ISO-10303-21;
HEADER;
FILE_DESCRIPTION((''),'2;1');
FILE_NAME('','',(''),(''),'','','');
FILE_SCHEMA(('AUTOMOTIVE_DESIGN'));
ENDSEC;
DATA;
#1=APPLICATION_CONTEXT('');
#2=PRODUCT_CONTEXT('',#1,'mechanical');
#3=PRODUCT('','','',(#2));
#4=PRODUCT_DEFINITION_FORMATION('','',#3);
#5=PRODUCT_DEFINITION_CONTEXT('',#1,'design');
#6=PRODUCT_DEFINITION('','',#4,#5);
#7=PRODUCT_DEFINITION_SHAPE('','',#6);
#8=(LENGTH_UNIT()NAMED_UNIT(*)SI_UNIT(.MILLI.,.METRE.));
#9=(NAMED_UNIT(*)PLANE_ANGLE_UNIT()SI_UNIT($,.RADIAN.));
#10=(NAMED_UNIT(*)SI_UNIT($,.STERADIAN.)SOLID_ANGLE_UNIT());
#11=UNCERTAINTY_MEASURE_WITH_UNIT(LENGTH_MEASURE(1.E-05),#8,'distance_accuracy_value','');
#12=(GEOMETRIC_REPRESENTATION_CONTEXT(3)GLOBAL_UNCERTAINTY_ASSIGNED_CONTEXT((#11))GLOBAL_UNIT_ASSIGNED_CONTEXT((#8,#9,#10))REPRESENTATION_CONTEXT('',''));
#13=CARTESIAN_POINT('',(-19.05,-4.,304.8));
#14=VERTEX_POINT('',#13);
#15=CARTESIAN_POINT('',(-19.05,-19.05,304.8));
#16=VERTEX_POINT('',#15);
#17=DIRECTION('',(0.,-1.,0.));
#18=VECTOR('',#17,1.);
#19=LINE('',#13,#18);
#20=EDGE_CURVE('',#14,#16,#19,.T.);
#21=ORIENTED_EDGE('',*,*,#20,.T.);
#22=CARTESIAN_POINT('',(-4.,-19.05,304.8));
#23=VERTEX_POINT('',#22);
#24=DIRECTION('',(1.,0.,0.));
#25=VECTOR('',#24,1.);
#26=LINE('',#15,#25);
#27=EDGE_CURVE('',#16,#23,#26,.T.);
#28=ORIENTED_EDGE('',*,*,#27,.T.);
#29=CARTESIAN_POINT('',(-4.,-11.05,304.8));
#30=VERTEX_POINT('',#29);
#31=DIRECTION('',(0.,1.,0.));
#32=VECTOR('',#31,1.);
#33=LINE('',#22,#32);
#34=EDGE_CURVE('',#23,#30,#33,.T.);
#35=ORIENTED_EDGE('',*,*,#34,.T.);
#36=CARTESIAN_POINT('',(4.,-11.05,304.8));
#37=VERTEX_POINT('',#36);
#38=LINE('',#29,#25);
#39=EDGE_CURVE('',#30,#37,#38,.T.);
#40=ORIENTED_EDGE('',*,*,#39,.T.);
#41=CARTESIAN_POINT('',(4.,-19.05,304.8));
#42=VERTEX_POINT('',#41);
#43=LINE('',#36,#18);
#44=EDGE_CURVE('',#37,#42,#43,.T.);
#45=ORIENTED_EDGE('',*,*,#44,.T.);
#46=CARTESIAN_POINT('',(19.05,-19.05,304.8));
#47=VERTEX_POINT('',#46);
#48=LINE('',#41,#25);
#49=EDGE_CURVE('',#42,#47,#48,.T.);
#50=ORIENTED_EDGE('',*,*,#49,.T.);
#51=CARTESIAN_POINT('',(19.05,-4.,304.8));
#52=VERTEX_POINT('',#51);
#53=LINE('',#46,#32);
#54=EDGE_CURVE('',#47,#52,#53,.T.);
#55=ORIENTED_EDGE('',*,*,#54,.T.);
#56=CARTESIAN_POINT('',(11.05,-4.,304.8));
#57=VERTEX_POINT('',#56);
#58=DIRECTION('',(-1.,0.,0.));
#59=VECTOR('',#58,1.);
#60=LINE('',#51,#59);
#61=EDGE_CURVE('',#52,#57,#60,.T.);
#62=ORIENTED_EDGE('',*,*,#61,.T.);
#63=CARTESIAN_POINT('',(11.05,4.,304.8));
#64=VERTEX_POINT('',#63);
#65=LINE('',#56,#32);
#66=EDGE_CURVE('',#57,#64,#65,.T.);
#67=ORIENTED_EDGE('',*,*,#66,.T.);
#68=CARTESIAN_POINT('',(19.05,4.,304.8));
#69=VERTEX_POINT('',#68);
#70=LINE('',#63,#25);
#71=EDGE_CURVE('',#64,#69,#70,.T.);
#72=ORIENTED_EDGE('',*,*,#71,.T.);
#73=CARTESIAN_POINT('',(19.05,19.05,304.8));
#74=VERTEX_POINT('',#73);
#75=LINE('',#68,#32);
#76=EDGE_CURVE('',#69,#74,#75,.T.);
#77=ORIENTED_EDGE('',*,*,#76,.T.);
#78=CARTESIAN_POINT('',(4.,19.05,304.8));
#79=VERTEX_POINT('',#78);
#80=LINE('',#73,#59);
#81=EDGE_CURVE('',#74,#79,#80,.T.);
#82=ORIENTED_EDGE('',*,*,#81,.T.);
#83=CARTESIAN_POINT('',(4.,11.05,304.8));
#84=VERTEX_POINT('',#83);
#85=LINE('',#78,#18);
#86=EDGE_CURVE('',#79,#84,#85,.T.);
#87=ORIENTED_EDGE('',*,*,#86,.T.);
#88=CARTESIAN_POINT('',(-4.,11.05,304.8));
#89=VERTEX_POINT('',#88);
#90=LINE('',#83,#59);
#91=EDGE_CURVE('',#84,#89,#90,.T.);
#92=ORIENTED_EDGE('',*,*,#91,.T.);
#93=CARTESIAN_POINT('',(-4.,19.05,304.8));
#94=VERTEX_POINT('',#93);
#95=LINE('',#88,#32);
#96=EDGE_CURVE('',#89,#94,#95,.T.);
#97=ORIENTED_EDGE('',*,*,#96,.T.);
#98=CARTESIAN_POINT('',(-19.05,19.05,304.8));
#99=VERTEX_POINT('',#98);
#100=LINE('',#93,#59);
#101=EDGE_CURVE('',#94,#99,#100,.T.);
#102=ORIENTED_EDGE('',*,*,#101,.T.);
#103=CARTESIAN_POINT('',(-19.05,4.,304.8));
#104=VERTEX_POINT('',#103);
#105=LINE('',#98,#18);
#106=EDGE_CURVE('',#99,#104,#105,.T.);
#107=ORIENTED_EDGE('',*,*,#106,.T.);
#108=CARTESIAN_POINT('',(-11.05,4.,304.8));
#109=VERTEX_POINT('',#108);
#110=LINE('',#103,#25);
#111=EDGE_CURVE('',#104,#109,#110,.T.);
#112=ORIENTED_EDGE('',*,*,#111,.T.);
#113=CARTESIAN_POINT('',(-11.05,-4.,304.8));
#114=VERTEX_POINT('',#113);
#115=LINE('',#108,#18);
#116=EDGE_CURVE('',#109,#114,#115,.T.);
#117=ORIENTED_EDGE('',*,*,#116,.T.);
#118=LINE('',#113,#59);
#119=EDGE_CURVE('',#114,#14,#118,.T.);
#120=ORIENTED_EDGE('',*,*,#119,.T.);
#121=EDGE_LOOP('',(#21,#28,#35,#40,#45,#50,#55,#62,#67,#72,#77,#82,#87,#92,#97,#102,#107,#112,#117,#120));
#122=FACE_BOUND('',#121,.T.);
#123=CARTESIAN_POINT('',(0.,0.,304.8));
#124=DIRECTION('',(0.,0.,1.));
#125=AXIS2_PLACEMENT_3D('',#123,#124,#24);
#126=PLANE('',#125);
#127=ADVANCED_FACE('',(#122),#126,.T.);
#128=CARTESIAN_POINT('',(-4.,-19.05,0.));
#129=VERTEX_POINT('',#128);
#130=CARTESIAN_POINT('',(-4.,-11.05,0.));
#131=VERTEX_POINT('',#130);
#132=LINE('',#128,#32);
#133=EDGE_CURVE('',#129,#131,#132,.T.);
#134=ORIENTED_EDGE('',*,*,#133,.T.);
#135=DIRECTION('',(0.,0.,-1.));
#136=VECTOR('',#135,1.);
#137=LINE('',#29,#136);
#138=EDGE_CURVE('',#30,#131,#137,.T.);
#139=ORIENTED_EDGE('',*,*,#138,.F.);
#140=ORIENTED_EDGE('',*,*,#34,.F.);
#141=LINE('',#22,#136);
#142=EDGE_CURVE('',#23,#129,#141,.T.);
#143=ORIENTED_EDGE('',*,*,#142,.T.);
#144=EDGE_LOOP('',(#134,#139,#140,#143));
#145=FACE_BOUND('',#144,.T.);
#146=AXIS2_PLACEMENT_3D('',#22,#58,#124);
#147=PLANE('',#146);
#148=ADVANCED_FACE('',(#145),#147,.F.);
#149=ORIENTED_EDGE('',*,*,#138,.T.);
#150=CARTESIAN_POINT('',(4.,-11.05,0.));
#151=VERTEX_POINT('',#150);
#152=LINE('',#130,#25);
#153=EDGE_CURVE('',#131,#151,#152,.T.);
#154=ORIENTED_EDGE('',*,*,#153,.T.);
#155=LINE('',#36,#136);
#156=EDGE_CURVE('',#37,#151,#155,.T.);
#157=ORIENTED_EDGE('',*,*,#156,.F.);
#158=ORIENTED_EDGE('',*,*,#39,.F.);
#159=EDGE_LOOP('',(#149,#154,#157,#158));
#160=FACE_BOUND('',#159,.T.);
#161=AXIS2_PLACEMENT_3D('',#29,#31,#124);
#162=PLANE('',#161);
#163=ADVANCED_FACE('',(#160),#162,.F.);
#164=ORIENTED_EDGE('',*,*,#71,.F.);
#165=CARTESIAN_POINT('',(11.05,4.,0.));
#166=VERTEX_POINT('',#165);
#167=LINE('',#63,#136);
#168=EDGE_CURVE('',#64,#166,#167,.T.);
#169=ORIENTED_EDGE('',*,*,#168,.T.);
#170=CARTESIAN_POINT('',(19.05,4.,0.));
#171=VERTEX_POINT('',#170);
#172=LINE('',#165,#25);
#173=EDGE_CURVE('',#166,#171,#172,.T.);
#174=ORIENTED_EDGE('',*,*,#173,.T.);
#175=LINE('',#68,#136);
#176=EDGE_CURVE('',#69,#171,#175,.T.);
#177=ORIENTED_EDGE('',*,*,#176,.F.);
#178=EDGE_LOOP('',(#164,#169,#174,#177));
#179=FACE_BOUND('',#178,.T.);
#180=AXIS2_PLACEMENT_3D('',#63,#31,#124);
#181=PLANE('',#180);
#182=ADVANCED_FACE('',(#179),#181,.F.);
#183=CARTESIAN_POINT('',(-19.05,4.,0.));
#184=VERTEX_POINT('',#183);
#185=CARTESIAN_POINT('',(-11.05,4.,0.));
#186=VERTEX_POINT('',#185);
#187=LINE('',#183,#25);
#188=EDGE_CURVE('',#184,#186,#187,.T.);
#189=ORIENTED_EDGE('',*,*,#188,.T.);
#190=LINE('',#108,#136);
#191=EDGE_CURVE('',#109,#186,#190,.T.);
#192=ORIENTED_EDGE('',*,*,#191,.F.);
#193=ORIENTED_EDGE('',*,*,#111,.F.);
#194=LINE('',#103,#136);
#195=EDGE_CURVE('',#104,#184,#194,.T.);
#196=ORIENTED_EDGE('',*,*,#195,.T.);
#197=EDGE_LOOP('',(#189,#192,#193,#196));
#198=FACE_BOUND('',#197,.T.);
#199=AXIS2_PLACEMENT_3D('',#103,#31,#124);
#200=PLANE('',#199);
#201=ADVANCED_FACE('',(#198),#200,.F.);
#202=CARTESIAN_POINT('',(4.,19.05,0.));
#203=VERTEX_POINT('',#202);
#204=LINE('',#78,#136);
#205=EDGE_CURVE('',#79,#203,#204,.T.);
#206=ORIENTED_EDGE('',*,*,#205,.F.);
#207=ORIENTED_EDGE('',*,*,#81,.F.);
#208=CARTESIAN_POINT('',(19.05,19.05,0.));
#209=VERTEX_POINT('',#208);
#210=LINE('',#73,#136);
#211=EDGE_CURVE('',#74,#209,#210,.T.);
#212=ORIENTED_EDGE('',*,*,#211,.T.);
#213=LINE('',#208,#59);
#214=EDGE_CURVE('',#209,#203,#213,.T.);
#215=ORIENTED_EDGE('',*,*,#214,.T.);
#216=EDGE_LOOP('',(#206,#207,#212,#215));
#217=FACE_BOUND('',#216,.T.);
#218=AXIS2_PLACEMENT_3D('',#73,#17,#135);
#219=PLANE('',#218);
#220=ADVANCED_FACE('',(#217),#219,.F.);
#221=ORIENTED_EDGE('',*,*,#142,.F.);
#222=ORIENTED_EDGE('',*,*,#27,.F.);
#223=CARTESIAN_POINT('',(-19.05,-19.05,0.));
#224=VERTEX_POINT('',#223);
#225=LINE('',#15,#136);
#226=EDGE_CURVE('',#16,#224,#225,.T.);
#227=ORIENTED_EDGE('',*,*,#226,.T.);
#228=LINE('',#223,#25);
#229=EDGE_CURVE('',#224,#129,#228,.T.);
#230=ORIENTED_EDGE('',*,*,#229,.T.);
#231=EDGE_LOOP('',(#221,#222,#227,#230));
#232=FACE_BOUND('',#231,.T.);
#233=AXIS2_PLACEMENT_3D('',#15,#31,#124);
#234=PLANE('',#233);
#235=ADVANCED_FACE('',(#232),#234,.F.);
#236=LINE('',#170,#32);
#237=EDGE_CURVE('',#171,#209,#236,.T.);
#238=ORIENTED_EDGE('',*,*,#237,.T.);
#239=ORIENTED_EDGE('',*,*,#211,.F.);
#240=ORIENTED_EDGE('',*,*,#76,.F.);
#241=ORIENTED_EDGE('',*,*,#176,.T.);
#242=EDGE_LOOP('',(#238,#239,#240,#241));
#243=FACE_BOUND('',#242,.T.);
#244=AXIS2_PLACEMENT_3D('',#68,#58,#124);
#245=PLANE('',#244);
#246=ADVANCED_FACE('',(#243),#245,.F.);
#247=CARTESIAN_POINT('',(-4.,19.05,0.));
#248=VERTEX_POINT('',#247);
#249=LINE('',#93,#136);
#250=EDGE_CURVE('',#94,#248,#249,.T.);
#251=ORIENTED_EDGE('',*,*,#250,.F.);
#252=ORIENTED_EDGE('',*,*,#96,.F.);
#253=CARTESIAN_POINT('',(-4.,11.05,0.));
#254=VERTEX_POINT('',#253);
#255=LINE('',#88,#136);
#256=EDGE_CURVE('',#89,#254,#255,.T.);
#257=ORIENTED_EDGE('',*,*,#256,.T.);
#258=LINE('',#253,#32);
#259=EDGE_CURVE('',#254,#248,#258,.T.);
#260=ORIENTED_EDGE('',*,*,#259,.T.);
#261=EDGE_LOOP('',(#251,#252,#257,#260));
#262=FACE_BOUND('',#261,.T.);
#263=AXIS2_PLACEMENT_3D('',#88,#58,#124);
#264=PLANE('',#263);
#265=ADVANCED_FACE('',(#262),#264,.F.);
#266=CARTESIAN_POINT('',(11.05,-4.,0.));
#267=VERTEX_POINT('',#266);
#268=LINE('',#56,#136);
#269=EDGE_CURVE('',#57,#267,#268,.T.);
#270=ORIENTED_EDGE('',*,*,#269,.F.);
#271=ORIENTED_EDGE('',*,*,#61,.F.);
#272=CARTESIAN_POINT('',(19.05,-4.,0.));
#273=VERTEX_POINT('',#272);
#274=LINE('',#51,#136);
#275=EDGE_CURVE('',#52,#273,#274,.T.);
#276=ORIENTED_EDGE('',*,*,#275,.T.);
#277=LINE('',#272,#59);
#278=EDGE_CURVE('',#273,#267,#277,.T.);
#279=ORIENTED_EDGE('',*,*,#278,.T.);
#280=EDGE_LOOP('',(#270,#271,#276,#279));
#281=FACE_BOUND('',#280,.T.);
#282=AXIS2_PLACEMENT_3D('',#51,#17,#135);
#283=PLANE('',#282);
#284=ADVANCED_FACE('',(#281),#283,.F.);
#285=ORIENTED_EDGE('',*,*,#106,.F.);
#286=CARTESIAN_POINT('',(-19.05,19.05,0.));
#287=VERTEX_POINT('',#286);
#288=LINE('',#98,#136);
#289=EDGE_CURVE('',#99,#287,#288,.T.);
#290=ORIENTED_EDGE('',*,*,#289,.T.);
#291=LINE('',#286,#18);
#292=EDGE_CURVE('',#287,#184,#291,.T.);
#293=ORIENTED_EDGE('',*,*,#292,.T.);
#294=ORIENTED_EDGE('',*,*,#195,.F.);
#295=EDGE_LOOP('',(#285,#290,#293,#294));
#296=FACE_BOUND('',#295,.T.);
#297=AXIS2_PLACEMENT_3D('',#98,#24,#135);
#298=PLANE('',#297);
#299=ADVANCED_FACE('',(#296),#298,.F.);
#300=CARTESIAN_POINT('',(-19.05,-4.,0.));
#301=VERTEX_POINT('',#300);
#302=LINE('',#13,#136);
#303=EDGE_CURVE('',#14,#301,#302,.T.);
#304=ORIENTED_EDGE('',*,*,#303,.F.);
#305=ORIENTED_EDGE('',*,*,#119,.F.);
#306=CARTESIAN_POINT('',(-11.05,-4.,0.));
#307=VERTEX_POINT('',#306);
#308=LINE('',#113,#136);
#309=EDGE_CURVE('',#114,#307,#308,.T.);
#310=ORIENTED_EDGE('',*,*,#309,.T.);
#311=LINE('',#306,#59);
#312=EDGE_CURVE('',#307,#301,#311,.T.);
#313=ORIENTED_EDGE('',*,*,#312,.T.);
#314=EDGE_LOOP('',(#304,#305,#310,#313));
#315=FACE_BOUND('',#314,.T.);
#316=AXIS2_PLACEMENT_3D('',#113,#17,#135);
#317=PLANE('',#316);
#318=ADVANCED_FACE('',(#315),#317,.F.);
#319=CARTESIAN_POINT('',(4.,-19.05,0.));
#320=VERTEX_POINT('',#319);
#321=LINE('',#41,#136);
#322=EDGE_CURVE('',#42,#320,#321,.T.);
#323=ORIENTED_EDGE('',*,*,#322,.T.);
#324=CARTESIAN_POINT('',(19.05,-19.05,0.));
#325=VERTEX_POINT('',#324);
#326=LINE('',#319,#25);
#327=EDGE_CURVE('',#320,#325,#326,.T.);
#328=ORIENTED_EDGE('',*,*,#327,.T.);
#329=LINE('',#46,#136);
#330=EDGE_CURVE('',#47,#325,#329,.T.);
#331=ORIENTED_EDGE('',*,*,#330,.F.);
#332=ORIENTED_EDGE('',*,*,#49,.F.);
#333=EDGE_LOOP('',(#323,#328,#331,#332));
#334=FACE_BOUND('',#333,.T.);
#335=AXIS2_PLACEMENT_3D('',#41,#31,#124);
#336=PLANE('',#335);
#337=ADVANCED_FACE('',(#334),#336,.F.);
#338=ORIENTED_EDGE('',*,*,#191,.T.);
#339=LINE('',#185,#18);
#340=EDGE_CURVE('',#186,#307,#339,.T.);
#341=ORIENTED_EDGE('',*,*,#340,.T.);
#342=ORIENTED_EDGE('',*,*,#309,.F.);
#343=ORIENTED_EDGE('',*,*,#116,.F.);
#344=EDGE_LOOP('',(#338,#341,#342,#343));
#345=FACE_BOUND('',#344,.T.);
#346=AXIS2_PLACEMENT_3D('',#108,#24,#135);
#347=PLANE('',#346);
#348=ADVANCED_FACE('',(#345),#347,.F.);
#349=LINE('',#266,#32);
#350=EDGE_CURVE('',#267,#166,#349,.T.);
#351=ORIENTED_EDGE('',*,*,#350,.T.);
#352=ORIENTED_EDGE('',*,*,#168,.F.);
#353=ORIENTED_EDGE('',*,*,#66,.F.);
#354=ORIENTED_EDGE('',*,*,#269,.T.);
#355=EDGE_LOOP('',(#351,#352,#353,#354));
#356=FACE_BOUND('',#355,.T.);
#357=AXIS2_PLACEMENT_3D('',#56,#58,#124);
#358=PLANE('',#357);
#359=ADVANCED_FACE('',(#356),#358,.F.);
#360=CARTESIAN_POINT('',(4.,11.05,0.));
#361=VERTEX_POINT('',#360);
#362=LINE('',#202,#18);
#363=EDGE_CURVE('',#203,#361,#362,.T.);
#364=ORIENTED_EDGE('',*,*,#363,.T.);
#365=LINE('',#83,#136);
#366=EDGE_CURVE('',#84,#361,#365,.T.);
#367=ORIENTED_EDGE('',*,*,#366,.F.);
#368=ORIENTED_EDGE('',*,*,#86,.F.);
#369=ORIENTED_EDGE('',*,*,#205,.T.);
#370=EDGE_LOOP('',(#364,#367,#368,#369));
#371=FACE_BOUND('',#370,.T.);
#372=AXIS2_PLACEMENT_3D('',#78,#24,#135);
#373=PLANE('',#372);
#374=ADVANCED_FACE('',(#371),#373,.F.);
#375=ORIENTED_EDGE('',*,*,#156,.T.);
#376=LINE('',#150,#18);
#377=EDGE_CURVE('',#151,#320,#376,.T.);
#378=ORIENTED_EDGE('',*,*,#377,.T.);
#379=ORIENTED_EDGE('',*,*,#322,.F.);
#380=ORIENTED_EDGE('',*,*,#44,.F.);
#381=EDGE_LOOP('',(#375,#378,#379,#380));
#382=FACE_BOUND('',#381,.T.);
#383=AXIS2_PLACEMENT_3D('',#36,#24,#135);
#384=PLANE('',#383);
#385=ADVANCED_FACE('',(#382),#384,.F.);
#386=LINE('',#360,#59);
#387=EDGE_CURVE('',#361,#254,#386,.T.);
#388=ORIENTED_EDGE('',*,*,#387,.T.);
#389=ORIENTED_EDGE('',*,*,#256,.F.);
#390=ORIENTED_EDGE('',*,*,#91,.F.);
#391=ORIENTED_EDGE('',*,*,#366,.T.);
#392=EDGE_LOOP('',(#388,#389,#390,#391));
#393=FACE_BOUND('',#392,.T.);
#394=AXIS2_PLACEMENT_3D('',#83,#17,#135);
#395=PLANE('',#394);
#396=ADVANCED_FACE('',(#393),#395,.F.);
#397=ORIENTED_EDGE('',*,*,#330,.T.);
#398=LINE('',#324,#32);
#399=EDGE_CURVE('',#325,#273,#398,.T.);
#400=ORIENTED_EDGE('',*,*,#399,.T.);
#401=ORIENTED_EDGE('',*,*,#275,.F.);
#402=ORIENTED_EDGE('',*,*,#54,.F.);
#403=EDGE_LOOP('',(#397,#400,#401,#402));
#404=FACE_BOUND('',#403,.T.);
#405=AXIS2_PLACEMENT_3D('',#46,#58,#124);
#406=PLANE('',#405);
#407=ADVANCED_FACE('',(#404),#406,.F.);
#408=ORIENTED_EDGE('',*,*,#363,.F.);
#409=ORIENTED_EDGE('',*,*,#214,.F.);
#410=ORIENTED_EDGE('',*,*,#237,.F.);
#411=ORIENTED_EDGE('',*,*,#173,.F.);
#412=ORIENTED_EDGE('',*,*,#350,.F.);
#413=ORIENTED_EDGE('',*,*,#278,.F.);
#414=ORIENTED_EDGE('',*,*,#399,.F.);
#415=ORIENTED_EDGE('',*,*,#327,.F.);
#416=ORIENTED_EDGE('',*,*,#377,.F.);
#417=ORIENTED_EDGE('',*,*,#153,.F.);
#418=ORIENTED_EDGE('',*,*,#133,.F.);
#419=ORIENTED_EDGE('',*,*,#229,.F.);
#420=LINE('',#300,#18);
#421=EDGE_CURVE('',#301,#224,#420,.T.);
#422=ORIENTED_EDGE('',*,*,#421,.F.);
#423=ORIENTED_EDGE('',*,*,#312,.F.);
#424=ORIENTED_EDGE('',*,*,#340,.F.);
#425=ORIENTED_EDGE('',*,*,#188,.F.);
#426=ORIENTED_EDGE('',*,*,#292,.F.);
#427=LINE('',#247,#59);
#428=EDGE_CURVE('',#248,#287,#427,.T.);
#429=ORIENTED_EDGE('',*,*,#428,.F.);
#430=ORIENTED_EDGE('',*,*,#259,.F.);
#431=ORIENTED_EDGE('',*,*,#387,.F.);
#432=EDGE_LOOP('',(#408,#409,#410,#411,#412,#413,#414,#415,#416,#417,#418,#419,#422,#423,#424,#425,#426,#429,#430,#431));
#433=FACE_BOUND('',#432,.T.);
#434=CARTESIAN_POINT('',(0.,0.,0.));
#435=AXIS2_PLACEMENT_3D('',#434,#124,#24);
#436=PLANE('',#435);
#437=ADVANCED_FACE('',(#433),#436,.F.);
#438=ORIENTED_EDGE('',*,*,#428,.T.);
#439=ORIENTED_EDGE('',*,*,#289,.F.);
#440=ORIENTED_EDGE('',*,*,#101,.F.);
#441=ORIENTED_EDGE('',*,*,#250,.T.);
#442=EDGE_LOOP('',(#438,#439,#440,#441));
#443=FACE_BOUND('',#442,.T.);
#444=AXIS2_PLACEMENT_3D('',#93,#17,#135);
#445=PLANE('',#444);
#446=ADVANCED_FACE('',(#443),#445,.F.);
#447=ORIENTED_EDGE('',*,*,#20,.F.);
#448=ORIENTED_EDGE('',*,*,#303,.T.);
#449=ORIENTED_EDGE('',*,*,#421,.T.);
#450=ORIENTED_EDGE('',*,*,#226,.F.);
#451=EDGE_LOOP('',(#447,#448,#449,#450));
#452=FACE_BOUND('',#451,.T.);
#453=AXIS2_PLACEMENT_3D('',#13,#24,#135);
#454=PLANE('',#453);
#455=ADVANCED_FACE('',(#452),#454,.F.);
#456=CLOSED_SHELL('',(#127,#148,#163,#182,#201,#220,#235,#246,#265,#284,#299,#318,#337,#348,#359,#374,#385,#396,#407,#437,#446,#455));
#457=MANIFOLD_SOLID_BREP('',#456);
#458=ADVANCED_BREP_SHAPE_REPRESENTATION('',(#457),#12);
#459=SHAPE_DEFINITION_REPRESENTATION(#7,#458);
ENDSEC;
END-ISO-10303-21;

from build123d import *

# Parameters (mm, degrees)
PROFILE_DEPTH = 304.8


with BuildPart() as part:
    # Sketch1 → Profile (new body)
    with BuildSketch(Plane.XY):
        Polygon((-19.05, -19.05), (-4, -19.05), (-4, -11.05), (4, -11.05), (4, -19.05), (19.05, -19.05), (19.05, -4), (11.05, -4), (11.05, 4), (19.05, 4), (19.05, 19.05), (4, 19.05), (4, 11.05), (-4, 11.05), (-4, 19.05), (-19.05, 19.05), (-19.05, 4), (-11.05, 4), (-11.05, -4), (-19.05, -4), align=None)
    extrude(amount=PROFILE_DEPTH)


solid = part.part
